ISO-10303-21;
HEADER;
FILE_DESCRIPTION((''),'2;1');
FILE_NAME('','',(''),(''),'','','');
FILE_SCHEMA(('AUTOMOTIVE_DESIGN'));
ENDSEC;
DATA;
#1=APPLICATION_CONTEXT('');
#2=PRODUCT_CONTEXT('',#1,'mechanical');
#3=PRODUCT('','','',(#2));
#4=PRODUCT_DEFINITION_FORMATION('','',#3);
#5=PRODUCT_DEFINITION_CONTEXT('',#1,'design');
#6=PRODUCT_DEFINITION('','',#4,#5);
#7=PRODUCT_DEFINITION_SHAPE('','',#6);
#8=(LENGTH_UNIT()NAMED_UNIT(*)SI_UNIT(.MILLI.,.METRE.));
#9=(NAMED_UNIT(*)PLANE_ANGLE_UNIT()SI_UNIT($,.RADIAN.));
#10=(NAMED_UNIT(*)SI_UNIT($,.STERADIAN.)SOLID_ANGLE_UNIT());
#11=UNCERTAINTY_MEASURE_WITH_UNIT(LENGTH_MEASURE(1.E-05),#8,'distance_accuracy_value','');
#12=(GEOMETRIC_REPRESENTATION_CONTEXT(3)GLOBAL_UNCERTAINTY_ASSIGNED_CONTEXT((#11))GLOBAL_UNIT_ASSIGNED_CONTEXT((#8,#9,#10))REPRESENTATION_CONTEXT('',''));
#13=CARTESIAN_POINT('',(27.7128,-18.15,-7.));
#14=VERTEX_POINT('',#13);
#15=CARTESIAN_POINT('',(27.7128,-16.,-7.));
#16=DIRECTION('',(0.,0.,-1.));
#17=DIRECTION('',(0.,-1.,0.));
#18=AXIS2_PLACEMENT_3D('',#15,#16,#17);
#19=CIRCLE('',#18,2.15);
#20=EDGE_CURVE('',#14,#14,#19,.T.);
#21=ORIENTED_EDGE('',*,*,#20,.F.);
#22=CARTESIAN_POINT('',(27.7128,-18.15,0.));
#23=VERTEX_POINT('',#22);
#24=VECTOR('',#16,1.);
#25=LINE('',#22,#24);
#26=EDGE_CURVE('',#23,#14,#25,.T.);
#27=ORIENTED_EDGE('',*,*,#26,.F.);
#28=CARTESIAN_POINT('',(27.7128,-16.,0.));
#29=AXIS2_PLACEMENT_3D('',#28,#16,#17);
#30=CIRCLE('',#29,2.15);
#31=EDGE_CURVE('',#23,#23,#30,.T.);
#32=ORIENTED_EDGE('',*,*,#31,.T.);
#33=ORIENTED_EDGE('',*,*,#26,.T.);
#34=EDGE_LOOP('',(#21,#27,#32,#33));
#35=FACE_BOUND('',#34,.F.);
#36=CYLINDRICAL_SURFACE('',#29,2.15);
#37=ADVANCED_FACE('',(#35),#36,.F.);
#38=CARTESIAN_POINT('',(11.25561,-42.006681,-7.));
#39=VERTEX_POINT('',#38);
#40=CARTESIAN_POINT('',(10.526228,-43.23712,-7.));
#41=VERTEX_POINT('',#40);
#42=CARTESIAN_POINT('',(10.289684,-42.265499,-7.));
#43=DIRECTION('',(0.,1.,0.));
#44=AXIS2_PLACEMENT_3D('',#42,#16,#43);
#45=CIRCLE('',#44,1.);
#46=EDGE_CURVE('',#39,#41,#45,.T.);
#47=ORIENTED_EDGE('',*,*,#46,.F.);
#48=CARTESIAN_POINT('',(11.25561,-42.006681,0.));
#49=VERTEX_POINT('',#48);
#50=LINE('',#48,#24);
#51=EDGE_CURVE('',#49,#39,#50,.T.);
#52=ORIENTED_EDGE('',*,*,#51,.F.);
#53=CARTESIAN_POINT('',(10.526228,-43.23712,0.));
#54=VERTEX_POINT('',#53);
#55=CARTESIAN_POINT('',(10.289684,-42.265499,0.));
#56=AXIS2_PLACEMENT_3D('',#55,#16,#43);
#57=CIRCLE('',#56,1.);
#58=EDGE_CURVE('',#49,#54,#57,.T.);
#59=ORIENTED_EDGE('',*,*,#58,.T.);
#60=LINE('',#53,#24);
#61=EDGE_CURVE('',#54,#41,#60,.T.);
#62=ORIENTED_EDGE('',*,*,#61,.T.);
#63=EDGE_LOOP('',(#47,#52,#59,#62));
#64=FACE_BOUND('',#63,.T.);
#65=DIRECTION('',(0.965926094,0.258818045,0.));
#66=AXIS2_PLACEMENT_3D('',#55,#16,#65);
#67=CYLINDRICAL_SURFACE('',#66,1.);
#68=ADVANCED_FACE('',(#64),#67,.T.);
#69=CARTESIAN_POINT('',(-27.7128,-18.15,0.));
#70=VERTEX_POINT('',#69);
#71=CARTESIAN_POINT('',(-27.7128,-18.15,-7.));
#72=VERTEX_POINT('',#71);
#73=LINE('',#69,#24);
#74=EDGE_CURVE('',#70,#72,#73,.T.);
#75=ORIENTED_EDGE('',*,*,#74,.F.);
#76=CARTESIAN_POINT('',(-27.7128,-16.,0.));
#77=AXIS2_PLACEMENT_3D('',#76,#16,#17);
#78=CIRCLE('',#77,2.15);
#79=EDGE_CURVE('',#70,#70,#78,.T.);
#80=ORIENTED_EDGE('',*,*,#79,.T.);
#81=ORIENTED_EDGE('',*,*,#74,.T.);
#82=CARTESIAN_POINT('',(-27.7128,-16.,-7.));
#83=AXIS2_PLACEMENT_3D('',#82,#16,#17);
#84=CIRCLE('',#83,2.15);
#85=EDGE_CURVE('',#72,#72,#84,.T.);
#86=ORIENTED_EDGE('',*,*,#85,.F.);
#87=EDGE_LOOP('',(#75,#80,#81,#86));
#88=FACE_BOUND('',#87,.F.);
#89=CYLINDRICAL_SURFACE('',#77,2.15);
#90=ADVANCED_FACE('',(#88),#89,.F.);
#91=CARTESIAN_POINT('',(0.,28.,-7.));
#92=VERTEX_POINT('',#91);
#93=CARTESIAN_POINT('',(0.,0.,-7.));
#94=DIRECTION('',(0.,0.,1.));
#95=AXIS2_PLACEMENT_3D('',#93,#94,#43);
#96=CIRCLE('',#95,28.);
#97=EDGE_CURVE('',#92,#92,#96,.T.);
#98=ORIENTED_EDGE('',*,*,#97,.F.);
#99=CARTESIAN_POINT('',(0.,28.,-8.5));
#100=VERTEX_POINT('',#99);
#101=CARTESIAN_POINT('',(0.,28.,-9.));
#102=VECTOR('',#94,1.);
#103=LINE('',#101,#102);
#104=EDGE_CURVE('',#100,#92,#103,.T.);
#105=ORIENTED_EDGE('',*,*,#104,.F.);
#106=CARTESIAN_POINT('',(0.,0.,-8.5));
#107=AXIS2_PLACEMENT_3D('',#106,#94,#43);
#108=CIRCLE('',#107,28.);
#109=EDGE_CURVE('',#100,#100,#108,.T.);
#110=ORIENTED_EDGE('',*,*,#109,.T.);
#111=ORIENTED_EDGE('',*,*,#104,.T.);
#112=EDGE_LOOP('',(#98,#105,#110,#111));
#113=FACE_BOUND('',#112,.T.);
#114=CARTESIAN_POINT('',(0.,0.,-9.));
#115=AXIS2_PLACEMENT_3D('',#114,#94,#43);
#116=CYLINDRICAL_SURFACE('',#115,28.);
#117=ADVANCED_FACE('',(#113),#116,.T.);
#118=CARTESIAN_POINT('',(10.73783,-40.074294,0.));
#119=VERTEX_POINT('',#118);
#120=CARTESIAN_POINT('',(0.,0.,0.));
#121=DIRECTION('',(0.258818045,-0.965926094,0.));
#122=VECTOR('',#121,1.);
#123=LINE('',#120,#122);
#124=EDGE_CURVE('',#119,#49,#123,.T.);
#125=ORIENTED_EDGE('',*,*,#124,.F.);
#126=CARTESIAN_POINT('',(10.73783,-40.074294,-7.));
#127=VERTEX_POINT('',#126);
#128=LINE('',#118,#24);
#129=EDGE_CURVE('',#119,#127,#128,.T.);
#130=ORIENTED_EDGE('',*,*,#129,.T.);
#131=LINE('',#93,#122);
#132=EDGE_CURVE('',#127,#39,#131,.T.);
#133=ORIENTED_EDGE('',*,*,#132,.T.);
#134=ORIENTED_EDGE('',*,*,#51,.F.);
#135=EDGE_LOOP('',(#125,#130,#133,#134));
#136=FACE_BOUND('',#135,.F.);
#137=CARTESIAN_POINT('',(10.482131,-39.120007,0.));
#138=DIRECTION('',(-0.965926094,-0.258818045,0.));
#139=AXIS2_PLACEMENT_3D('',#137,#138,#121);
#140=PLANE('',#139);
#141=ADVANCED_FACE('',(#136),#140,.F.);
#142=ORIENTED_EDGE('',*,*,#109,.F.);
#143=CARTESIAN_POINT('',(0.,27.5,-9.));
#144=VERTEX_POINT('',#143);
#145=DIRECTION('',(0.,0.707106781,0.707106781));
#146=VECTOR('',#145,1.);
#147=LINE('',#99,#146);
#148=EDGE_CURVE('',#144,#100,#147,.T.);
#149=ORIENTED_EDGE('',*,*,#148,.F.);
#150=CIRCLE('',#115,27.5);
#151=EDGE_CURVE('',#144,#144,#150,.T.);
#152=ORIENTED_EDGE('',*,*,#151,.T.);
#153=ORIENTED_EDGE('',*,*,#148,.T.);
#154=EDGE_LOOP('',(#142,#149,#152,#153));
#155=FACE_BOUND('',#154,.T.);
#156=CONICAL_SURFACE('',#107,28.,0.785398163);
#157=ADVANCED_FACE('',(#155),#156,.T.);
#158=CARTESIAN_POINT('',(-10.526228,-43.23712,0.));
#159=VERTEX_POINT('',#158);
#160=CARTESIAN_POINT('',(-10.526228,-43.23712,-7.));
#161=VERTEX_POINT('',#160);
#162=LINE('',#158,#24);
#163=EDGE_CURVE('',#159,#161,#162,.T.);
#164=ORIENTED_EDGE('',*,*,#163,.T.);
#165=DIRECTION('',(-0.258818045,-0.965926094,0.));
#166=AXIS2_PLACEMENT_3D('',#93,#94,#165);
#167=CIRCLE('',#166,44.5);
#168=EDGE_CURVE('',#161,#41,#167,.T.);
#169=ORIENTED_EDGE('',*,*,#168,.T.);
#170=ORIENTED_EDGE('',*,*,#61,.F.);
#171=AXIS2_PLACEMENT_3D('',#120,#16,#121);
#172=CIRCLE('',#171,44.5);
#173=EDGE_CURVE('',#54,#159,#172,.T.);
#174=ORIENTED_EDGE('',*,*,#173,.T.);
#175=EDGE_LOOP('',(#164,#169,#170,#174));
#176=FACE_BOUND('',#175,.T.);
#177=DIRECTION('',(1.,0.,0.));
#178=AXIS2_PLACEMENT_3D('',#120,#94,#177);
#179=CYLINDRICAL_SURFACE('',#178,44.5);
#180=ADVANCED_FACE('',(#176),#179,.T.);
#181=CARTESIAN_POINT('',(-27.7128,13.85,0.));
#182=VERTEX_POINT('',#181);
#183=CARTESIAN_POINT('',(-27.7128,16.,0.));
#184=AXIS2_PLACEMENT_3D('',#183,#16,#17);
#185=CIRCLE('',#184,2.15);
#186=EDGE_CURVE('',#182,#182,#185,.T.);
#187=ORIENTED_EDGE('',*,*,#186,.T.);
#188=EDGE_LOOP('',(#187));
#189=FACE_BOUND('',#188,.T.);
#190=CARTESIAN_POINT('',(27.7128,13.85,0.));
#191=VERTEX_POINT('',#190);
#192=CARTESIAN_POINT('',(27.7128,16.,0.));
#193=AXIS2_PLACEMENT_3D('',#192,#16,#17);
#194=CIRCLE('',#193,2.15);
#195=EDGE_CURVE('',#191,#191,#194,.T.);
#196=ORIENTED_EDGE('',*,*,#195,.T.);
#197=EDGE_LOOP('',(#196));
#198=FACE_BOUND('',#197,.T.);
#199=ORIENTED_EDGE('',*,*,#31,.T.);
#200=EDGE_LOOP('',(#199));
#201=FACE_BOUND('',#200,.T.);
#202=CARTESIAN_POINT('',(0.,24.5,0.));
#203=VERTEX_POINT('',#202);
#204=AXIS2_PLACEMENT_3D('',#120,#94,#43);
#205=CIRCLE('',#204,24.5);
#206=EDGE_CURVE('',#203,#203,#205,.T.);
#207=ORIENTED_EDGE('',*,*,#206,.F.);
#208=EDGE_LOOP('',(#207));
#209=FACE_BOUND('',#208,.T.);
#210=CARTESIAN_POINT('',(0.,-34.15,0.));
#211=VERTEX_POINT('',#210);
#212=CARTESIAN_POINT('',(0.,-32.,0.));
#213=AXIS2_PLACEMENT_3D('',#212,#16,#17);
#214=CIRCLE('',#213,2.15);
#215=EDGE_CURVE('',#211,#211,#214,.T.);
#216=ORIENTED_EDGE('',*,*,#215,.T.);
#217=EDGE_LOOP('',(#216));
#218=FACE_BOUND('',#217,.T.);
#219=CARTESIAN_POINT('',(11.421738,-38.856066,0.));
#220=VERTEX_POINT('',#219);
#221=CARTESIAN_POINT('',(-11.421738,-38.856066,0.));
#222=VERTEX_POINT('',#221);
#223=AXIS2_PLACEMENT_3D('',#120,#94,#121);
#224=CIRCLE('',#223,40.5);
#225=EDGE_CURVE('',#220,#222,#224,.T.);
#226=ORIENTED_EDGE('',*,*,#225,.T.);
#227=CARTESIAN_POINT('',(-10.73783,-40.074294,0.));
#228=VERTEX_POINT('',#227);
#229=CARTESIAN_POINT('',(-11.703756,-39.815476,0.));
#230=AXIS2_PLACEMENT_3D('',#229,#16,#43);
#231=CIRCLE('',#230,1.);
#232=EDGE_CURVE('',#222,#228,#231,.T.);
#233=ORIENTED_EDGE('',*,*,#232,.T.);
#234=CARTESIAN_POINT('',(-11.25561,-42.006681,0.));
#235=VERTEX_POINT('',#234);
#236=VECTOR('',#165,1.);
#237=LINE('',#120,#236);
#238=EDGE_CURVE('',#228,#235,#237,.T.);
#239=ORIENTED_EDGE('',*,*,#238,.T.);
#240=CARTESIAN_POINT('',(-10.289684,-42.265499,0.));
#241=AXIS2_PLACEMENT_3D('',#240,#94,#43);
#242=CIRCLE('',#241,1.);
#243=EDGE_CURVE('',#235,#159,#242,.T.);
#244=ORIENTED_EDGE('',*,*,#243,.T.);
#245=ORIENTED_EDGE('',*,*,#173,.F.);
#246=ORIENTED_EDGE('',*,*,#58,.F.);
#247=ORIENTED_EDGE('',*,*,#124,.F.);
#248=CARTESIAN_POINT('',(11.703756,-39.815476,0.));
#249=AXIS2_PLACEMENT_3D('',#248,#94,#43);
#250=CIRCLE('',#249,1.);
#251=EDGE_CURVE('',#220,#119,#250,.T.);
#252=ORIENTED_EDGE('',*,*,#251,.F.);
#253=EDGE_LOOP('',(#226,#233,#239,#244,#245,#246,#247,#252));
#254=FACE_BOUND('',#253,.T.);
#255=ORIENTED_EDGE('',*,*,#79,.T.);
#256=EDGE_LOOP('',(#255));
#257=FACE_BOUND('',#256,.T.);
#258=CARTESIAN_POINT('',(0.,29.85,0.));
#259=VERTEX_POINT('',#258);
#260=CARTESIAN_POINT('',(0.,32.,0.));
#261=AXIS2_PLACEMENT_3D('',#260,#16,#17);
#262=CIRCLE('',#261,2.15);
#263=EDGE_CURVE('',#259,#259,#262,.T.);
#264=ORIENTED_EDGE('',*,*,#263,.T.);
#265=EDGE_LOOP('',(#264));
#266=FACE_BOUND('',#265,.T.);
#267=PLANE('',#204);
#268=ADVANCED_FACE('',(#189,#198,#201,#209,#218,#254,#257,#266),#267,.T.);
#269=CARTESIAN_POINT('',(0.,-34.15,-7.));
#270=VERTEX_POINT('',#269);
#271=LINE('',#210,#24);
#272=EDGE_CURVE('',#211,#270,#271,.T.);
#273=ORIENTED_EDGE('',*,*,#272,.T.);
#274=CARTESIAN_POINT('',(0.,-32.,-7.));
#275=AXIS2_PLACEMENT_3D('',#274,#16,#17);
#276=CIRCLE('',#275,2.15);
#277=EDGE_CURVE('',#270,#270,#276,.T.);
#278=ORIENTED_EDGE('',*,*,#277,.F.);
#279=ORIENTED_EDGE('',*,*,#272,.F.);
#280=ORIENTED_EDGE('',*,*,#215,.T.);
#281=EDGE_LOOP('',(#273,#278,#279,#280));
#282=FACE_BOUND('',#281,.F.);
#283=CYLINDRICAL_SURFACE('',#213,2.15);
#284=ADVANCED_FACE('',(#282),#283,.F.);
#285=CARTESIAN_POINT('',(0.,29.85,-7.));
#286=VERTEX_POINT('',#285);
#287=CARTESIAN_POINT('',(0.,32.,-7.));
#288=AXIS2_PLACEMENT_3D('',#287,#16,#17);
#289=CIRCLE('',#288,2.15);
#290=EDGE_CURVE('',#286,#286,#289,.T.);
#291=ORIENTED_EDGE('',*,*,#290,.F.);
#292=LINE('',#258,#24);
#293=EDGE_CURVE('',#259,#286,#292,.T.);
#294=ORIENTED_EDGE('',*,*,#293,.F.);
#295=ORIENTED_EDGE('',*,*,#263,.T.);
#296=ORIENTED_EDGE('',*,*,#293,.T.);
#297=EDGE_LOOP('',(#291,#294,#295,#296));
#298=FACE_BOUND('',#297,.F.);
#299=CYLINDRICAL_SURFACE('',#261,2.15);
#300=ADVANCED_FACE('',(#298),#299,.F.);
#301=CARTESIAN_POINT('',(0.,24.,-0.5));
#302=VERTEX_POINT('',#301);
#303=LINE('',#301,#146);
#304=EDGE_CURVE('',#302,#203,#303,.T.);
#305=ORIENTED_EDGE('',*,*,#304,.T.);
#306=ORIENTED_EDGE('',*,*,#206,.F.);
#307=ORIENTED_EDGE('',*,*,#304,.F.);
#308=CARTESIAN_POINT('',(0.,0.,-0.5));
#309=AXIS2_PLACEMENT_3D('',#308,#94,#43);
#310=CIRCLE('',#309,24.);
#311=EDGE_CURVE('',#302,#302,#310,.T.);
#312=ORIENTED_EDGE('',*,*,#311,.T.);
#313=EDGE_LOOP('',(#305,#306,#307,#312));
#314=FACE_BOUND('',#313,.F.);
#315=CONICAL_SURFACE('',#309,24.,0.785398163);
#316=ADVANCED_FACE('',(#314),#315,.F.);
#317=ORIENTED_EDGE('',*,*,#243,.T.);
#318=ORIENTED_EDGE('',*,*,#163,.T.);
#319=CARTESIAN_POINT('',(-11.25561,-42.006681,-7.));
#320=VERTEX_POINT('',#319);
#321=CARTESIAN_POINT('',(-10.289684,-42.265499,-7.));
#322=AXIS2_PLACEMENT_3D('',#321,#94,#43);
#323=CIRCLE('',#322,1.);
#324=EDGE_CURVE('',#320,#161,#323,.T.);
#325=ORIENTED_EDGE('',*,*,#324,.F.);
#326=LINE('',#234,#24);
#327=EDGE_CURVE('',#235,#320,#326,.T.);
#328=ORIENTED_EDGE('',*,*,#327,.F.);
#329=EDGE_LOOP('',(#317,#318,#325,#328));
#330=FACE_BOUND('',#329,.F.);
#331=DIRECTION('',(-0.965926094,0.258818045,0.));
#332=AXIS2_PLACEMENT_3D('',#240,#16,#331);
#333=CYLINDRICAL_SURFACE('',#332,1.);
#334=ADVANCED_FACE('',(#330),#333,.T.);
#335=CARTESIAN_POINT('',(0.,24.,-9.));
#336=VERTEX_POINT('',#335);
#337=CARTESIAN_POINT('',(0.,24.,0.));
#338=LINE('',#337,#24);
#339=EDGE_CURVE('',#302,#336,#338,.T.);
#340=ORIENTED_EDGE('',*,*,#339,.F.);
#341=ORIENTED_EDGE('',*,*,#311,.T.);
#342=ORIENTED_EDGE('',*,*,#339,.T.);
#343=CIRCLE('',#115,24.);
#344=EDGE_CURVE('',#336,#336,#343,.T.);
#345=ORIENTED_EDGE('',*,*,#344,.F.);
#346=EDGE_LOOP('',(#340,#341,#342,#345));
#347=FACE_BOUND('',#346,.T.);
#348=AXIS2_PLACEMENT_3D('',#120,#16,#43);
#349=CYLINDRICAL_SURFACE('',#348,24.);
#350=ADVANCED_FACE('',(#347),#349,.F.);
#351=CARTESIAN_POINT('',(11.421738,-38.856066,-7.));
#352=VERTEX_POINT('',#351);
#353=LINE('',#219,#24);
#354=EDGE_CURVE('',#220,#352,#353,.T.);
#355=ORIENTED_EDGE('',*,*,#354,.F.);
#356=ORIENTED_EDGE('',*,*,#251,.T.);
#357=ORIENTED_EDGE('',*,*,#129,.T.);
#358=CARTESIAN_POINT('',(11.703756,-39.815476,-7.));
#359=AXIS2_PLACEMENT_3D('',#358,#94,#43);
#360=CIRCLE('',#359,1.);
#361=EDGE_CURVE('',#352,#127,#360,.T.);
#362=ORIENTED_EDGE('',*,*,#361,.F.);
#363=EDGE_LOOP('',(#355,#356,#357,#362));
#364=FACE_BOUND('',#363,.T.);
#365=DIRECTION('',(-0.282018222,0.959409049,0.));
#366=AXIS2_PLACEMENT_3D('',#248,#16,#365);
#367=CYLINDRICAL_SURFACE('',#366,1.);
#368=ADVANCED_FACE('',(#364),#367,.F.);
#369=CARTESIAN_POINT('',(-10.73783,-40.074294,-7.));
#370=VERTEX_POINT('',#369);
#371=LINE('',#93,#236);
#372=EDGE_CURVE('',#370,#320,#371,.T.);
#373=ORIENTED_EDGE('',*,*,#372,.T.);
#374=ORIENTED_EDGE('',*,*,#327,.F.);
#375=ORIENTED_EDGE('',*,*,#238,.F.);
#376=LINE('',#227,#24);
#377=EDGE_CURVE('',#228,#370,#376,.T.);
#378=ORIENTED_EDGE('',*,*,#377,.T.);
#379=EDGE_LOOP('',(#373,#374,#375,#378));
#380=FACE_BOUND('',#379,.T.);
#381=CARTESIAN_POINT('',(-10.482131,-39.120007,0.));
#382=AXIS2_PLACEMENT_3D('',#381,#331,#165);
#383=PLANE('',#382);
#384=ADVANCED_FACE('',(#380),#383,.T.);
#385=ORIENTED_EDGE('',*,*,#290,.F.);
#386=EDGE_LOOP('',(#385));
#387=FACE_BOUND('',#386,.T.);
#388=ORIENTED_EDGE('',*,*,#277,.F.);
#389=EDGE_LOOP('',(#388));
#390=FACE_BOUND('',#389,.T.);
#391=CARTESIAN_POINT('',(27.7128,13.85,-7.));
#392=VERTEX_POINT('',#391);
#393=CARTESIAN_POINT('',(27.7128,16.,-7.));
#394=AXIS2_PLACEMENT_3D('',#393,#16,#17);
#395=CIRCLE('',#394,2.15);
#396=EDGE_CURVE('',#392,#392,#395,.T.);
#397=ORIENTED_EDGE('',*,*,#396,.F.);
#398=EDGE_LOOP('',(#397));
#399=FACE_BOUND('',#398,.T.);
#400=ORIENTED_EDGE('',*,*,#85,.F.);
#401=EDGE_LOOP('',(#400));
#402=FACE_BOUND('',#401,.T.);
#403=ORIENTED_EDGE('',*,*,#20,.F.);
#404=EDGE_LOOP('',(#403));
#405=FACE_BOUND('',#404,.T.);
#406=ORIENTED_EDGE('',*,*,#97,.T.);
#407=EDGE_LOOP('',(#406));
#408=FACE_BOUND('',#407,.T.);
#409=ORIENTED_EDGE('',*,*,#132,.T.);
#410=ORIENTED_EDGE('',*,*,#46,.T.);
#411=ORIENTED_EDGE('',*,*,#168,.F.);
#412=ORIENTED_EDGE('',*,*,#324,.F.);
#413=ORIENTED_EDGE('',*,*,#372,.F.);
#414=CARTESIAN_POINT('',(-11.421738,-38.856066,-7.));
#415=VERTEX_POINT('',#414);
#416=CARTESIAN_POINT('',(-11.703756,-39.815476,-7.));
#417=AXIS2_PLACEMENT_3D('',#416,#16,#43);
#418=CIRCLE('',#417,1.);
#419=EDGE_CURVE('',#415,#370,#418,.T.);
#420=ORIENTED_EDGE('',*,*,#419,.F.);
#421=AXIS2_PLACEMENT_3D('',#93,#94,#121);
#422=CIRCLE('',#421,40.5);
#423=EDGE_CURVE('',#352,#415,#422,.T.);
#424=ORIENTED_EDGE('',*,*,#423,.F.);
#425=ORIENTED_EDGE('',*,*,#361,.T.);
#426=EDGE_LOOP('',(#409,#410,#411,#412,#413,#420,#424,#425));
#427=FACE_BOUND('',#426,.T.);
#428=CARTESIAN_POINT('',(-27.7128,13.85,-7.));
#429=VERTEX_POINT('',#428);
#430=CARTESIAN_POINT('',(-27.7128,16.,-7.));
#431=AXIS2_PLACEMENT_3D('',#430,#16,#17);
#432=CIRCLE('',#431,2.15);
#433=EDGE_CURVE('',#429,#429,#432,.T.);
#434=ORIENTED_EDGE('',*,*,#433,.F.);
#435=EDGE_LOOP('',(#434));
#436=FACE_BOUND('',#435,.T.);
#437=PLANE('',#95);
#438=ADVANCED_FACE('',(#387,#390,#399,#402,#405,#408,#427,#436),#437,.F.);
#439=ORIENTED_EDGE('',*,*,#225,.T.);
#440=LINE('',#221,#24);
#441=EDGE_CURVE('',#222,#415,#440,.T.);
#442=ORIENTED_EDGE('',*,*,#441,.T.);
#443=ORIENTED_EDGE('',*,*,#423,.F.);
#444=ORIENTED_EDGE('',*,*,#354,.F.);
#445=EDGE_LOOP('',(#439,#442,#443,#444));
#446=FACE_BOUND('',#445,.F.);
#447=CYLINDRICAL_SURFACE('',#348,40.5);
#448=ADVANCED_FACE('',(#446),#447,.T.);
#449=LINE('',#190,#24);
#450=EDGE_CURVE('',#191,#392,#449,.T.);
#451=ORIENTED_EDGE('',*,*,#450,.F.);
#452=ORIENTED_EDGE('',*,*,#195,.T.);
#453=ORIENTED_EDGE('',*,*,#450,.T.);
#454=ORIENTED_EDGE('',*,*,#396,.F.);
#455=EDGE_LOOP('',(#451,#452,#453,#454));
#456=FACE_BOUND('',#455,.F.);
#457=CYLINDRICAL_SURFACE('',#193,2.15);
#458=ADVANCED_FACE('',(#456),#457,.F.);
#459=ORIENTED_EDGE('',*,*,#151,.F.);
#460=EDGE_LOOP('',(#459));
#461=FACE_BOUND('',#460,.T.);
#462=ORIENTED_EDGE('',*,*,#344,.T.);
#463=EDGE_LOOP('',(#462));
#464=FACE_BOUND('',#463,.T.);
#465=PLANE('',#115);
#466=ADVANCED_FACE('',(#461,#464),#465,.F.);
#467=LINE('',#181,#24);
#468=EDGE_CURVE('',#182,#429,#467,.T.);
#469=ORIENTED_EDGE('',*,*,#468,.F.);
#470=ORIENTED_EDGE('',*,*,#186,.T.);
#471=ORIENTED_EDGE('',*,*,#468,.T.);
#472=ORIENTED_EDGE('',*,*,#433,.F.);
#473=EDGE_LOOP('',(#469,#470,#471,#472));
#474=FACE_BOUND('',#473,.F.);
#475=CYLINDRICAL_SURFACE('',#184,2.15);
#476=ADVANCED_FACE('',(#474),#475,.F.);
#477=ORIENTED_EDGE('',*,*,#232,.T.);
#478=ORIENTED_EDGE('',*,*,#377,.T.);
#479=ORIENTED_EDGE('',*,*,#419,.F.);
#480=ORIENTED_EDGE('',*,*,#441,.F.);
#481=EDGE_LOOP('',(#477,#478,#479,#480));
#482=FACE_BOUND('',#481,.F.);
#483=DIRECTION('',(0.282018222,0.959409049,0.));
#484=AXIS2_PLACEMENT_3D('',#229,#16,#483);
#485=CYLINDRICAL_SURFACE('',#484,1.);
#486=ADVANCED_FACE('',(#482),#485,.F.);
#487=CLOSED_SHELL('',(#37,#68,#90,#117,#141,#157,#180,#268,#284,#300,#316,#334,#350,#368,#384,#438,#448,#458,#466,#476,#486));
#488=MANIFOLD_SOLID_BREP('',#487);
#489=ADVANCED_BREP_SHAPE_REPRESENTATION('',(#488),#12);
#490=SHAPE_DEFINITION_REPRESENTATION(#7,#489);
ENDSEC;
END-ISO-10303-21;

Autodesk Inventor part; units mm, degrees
ref_plane "YZ Plane" through (0, 0, 0) normal (1, 0, 0) x (0, 1, 0)
ref_plane "XZ Plane" through (0, 0, 0) normal (0, 1, 0) x (-1, 0, 0)
ref_plane "XY Plane" through (0, 0, 0) normal (0, 0, 1) x (1, 0, 0)
sketch "スケッチ2" plane through (0, 0, 0) normal (1, 0, 0) x (0, 1, 0)
  line L0 (24, 0) -> (24, -9)
  line L1 (40.5, 0) -> (40.5, -7)
  line L2 (40.5, 0) -> (24, 0)
  line L3 (24, 0) -> (59, 0)
  line L4 (24, -9) -> (28, -9)
  line L5 (0, -10.8) -> (0, 1.8) projected
  line L6 (28, -9) -> (28, -7)
  line L7 (28, -7) -> (40.5, -7)
  point P0 (0, 0)
  dimension "d40" = 24
  dimension "d41" = 7
  dimension "d42" = 40.5
  dimension "d43" = 28
  dimension "d44" = 2
revolve "回転1" add sketch "スケッチ2" angle 360 about axis through (0, 0, -10) along (0, 0, 1)
sketch "スケッチ4" plane through (0, 0, 0) normal (0, 0, 1) x (1, 0, 0)
  point P0 (0, 0)
  point P1 (0, 32)
  point P2 (-27.7128, 16)
  point P3 (-27.7128, -16)
  point P4 (0, -32)
  point P5 (27.7128, -16)
  point P6 (27.7128, 16)
  dimension "d11" = 32
  dimension "d14" = 360
hole "穴1" at (0, 32, 0) at (-27.7128, 16, 0) at (-27.7128, -16, 0) at (0, -32, 0) at (27.7128, -16, 0) at (27.7128, 16, 0) direction (0, 0, -1) diameter 4.3 end through all clearance for "Socket Head Cap Screw" size "M4" standard "Ansi Metric M Profile"
chamfer "面取り3" distance 0.5 angle 45 1 edges at (0, -28, -9)
chamfer "面取り4" distance 0.5 angle 45 1 edges at (0, -24, 0)
sketch "スケッチ7" plane through (0, 0, 0) normal (0, 0, 1) x (1, 0, 0)
  circle A0 centre (0, 0) radius 40.5 projected
  circle A1 centre (0, 0) radius 44.5
  line L0 (0, 0) -> (11.5174, -42.9837)
  line L1 (0, 0) -> (-11.5174, -42.9837)
  line L2 (0, 62.3) -> (0, -62.3) projected
  point P0 (10.4822, -39.12)
  point P1 (-10.4822, -39.12)
  dimension "d51" = 4
  dimension "d52" = 15
  dimension "d53" = 15
extrude "押し出し3" add sketch "スケッチ7" against normal up to surface (7 mm away) contours L0 A1 L2 A0 | A0 L2 A1 L1 picked at (6.2128, -42.6798) picked at (-1.2928, -43.1102)
fillet "フィレット1" radius 1 4 edges at (10.4822, -39.12, -3.5) (11.5174, -42.9837, -3.5) (-10.4822, -39.12, -3.5) (-11.5174, -42.9837, -3.5)
properties part number "base12" material "ABS プラスチック"
